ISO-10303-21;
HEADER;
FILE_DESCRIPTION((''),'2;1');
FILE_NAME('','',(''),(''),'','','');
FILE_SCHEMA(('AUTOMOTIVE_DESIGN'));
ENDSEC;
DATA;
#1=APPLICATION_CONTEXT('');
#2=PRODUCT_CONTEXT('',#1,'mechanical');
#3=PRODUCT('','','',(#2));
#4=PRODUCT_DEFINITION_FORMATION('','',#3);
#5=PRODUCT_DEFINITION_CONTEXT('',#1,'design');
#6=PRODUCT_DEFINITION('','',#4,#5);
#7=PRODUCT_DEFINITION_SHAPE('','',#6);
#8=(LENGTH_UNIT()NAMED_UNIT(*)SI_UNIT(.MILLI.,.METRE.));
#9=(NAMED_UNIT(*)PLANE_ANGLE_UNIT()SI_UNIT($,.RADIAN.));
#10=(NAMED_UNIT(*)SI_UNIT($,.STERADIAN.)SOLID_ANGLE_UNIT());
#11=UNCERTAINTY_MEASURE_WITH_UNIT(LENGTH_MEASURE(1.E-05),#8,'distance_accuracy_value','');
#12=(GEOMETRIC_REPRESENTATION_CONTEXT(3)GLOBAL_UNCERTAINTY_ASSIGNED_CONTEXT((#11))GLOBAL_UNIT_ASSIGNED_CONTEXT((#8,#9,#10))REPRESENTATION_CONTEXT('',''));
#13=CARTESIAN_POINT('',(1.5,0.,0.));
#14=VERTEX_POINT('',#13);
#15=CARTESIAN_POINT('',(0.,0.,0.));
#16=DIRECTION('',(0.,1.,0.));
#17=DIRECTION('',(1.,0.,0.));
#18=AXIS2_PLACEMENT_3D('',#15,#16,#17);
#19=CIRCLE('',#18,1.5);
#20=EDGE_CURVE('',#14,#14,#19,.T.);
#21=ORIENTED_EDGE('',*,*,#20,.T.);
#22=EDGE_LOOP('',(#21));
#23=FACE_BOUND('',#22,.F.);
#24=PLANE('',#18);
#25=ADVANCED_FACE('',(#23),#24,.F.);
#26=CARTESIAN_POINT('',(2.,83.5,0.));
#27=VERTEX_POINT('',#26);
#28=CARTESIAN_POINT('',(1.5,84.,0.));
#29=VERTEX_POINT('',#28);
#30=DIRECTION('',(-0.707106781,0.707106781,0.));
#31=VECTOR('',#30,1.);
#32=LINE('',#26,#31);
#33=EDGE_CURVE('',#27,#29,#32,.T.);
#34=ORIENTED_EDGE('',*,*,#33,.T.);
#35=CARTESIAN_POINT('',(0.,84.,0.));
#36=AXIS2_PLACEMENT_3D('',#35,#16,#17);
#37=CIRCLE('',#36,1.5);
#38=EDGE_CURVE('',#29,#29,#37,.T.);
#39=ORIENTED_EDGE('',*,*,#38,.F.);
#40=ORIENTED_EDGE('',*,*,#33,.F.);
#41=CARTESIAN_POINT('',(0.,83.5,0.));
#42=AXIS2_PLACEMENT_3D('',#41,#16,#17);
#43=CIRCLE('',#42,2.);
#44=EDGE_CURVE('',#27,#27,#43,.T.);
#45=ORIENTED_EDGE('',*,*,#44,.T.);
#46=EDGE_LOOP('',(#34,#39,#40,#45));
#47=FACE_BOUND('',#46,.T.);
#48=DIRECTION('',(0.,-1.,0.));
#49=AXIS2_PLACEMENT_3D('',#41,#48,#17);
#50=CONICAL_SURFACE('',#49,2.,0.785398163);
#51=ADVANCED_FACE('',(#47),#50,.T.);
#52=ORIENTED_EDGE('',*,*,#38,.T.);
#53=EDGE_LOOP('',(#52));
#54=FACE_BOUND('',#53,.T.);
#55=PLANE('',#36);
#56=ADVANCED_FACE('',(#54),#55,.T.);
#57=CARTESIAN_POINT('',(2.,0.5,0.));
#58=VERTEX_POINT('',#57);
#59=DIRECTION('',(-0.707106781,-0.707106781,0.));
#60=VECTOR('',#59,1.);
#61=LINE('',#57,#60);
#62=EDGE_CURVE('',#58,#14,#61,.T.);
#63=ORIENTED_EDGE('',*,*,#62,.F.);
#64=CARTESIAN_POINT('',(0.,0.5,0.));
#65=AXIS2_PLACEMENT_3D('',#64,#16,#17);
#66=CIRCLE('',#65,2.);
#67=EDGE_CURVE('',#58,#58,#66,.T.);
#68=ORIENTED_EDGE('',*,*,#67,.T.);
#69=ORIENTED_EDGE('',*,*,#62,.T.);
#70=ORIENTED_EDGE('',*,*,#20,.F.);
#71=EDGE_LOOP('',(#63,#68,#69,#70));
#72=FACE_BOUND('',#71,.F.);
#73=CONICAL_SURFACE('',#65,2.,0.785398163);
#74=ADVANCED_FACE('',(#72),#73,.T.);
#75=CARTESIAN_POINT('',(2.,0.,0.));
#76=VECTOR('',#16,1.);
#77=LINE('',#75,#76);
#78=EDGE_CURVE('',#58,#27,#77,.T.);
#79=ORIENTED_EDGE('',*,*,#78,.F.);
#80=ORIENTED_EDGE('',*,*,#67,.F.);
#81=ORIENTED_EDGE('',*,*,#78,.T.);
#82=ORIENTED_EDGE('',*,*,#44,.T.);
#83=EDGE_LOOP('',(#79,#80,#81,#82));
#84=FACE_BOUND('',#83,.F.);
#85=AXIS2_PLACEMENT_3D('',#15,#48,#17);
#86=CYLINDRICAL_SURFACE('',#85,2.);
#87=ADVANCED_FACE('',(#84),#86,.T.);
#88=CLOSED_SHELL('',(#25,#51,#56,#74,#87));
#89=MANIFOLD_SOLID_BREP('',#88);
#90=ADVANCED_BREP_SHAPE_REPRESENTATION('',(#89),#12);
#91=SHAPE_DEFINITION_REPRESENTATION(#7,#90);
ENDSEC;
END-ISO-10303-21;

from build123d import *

# Parameters (mm, degrees)
SKETCH2_R           = 2
BOSS_EXTRUDE1_DEPTH = 84
CHAMFER1_SIZE       = 0.5


with BuildPart() as part:
    # Sketch2 → Boss-Extrude1 (new body)
    with BuildSketch(Plane(origin=(0, 0, 0), x_dir=(1, 0, 0), z_dir=(0, 1, 0))):
        Circle(SKETCH2_R)
    extrude(amount=BOSS_EXTRUDE1_DEPTH)

    # Chamfer1
    chamfer1_edges = [part.edges().sort_by_distance(p)[0] for p in [
        (-2, 0, 0),
        (-2, 84, 0),
    ]]
    chamfer(chamfer1_edges, length=CHAMFER1_SIZE)


solid = part.part
